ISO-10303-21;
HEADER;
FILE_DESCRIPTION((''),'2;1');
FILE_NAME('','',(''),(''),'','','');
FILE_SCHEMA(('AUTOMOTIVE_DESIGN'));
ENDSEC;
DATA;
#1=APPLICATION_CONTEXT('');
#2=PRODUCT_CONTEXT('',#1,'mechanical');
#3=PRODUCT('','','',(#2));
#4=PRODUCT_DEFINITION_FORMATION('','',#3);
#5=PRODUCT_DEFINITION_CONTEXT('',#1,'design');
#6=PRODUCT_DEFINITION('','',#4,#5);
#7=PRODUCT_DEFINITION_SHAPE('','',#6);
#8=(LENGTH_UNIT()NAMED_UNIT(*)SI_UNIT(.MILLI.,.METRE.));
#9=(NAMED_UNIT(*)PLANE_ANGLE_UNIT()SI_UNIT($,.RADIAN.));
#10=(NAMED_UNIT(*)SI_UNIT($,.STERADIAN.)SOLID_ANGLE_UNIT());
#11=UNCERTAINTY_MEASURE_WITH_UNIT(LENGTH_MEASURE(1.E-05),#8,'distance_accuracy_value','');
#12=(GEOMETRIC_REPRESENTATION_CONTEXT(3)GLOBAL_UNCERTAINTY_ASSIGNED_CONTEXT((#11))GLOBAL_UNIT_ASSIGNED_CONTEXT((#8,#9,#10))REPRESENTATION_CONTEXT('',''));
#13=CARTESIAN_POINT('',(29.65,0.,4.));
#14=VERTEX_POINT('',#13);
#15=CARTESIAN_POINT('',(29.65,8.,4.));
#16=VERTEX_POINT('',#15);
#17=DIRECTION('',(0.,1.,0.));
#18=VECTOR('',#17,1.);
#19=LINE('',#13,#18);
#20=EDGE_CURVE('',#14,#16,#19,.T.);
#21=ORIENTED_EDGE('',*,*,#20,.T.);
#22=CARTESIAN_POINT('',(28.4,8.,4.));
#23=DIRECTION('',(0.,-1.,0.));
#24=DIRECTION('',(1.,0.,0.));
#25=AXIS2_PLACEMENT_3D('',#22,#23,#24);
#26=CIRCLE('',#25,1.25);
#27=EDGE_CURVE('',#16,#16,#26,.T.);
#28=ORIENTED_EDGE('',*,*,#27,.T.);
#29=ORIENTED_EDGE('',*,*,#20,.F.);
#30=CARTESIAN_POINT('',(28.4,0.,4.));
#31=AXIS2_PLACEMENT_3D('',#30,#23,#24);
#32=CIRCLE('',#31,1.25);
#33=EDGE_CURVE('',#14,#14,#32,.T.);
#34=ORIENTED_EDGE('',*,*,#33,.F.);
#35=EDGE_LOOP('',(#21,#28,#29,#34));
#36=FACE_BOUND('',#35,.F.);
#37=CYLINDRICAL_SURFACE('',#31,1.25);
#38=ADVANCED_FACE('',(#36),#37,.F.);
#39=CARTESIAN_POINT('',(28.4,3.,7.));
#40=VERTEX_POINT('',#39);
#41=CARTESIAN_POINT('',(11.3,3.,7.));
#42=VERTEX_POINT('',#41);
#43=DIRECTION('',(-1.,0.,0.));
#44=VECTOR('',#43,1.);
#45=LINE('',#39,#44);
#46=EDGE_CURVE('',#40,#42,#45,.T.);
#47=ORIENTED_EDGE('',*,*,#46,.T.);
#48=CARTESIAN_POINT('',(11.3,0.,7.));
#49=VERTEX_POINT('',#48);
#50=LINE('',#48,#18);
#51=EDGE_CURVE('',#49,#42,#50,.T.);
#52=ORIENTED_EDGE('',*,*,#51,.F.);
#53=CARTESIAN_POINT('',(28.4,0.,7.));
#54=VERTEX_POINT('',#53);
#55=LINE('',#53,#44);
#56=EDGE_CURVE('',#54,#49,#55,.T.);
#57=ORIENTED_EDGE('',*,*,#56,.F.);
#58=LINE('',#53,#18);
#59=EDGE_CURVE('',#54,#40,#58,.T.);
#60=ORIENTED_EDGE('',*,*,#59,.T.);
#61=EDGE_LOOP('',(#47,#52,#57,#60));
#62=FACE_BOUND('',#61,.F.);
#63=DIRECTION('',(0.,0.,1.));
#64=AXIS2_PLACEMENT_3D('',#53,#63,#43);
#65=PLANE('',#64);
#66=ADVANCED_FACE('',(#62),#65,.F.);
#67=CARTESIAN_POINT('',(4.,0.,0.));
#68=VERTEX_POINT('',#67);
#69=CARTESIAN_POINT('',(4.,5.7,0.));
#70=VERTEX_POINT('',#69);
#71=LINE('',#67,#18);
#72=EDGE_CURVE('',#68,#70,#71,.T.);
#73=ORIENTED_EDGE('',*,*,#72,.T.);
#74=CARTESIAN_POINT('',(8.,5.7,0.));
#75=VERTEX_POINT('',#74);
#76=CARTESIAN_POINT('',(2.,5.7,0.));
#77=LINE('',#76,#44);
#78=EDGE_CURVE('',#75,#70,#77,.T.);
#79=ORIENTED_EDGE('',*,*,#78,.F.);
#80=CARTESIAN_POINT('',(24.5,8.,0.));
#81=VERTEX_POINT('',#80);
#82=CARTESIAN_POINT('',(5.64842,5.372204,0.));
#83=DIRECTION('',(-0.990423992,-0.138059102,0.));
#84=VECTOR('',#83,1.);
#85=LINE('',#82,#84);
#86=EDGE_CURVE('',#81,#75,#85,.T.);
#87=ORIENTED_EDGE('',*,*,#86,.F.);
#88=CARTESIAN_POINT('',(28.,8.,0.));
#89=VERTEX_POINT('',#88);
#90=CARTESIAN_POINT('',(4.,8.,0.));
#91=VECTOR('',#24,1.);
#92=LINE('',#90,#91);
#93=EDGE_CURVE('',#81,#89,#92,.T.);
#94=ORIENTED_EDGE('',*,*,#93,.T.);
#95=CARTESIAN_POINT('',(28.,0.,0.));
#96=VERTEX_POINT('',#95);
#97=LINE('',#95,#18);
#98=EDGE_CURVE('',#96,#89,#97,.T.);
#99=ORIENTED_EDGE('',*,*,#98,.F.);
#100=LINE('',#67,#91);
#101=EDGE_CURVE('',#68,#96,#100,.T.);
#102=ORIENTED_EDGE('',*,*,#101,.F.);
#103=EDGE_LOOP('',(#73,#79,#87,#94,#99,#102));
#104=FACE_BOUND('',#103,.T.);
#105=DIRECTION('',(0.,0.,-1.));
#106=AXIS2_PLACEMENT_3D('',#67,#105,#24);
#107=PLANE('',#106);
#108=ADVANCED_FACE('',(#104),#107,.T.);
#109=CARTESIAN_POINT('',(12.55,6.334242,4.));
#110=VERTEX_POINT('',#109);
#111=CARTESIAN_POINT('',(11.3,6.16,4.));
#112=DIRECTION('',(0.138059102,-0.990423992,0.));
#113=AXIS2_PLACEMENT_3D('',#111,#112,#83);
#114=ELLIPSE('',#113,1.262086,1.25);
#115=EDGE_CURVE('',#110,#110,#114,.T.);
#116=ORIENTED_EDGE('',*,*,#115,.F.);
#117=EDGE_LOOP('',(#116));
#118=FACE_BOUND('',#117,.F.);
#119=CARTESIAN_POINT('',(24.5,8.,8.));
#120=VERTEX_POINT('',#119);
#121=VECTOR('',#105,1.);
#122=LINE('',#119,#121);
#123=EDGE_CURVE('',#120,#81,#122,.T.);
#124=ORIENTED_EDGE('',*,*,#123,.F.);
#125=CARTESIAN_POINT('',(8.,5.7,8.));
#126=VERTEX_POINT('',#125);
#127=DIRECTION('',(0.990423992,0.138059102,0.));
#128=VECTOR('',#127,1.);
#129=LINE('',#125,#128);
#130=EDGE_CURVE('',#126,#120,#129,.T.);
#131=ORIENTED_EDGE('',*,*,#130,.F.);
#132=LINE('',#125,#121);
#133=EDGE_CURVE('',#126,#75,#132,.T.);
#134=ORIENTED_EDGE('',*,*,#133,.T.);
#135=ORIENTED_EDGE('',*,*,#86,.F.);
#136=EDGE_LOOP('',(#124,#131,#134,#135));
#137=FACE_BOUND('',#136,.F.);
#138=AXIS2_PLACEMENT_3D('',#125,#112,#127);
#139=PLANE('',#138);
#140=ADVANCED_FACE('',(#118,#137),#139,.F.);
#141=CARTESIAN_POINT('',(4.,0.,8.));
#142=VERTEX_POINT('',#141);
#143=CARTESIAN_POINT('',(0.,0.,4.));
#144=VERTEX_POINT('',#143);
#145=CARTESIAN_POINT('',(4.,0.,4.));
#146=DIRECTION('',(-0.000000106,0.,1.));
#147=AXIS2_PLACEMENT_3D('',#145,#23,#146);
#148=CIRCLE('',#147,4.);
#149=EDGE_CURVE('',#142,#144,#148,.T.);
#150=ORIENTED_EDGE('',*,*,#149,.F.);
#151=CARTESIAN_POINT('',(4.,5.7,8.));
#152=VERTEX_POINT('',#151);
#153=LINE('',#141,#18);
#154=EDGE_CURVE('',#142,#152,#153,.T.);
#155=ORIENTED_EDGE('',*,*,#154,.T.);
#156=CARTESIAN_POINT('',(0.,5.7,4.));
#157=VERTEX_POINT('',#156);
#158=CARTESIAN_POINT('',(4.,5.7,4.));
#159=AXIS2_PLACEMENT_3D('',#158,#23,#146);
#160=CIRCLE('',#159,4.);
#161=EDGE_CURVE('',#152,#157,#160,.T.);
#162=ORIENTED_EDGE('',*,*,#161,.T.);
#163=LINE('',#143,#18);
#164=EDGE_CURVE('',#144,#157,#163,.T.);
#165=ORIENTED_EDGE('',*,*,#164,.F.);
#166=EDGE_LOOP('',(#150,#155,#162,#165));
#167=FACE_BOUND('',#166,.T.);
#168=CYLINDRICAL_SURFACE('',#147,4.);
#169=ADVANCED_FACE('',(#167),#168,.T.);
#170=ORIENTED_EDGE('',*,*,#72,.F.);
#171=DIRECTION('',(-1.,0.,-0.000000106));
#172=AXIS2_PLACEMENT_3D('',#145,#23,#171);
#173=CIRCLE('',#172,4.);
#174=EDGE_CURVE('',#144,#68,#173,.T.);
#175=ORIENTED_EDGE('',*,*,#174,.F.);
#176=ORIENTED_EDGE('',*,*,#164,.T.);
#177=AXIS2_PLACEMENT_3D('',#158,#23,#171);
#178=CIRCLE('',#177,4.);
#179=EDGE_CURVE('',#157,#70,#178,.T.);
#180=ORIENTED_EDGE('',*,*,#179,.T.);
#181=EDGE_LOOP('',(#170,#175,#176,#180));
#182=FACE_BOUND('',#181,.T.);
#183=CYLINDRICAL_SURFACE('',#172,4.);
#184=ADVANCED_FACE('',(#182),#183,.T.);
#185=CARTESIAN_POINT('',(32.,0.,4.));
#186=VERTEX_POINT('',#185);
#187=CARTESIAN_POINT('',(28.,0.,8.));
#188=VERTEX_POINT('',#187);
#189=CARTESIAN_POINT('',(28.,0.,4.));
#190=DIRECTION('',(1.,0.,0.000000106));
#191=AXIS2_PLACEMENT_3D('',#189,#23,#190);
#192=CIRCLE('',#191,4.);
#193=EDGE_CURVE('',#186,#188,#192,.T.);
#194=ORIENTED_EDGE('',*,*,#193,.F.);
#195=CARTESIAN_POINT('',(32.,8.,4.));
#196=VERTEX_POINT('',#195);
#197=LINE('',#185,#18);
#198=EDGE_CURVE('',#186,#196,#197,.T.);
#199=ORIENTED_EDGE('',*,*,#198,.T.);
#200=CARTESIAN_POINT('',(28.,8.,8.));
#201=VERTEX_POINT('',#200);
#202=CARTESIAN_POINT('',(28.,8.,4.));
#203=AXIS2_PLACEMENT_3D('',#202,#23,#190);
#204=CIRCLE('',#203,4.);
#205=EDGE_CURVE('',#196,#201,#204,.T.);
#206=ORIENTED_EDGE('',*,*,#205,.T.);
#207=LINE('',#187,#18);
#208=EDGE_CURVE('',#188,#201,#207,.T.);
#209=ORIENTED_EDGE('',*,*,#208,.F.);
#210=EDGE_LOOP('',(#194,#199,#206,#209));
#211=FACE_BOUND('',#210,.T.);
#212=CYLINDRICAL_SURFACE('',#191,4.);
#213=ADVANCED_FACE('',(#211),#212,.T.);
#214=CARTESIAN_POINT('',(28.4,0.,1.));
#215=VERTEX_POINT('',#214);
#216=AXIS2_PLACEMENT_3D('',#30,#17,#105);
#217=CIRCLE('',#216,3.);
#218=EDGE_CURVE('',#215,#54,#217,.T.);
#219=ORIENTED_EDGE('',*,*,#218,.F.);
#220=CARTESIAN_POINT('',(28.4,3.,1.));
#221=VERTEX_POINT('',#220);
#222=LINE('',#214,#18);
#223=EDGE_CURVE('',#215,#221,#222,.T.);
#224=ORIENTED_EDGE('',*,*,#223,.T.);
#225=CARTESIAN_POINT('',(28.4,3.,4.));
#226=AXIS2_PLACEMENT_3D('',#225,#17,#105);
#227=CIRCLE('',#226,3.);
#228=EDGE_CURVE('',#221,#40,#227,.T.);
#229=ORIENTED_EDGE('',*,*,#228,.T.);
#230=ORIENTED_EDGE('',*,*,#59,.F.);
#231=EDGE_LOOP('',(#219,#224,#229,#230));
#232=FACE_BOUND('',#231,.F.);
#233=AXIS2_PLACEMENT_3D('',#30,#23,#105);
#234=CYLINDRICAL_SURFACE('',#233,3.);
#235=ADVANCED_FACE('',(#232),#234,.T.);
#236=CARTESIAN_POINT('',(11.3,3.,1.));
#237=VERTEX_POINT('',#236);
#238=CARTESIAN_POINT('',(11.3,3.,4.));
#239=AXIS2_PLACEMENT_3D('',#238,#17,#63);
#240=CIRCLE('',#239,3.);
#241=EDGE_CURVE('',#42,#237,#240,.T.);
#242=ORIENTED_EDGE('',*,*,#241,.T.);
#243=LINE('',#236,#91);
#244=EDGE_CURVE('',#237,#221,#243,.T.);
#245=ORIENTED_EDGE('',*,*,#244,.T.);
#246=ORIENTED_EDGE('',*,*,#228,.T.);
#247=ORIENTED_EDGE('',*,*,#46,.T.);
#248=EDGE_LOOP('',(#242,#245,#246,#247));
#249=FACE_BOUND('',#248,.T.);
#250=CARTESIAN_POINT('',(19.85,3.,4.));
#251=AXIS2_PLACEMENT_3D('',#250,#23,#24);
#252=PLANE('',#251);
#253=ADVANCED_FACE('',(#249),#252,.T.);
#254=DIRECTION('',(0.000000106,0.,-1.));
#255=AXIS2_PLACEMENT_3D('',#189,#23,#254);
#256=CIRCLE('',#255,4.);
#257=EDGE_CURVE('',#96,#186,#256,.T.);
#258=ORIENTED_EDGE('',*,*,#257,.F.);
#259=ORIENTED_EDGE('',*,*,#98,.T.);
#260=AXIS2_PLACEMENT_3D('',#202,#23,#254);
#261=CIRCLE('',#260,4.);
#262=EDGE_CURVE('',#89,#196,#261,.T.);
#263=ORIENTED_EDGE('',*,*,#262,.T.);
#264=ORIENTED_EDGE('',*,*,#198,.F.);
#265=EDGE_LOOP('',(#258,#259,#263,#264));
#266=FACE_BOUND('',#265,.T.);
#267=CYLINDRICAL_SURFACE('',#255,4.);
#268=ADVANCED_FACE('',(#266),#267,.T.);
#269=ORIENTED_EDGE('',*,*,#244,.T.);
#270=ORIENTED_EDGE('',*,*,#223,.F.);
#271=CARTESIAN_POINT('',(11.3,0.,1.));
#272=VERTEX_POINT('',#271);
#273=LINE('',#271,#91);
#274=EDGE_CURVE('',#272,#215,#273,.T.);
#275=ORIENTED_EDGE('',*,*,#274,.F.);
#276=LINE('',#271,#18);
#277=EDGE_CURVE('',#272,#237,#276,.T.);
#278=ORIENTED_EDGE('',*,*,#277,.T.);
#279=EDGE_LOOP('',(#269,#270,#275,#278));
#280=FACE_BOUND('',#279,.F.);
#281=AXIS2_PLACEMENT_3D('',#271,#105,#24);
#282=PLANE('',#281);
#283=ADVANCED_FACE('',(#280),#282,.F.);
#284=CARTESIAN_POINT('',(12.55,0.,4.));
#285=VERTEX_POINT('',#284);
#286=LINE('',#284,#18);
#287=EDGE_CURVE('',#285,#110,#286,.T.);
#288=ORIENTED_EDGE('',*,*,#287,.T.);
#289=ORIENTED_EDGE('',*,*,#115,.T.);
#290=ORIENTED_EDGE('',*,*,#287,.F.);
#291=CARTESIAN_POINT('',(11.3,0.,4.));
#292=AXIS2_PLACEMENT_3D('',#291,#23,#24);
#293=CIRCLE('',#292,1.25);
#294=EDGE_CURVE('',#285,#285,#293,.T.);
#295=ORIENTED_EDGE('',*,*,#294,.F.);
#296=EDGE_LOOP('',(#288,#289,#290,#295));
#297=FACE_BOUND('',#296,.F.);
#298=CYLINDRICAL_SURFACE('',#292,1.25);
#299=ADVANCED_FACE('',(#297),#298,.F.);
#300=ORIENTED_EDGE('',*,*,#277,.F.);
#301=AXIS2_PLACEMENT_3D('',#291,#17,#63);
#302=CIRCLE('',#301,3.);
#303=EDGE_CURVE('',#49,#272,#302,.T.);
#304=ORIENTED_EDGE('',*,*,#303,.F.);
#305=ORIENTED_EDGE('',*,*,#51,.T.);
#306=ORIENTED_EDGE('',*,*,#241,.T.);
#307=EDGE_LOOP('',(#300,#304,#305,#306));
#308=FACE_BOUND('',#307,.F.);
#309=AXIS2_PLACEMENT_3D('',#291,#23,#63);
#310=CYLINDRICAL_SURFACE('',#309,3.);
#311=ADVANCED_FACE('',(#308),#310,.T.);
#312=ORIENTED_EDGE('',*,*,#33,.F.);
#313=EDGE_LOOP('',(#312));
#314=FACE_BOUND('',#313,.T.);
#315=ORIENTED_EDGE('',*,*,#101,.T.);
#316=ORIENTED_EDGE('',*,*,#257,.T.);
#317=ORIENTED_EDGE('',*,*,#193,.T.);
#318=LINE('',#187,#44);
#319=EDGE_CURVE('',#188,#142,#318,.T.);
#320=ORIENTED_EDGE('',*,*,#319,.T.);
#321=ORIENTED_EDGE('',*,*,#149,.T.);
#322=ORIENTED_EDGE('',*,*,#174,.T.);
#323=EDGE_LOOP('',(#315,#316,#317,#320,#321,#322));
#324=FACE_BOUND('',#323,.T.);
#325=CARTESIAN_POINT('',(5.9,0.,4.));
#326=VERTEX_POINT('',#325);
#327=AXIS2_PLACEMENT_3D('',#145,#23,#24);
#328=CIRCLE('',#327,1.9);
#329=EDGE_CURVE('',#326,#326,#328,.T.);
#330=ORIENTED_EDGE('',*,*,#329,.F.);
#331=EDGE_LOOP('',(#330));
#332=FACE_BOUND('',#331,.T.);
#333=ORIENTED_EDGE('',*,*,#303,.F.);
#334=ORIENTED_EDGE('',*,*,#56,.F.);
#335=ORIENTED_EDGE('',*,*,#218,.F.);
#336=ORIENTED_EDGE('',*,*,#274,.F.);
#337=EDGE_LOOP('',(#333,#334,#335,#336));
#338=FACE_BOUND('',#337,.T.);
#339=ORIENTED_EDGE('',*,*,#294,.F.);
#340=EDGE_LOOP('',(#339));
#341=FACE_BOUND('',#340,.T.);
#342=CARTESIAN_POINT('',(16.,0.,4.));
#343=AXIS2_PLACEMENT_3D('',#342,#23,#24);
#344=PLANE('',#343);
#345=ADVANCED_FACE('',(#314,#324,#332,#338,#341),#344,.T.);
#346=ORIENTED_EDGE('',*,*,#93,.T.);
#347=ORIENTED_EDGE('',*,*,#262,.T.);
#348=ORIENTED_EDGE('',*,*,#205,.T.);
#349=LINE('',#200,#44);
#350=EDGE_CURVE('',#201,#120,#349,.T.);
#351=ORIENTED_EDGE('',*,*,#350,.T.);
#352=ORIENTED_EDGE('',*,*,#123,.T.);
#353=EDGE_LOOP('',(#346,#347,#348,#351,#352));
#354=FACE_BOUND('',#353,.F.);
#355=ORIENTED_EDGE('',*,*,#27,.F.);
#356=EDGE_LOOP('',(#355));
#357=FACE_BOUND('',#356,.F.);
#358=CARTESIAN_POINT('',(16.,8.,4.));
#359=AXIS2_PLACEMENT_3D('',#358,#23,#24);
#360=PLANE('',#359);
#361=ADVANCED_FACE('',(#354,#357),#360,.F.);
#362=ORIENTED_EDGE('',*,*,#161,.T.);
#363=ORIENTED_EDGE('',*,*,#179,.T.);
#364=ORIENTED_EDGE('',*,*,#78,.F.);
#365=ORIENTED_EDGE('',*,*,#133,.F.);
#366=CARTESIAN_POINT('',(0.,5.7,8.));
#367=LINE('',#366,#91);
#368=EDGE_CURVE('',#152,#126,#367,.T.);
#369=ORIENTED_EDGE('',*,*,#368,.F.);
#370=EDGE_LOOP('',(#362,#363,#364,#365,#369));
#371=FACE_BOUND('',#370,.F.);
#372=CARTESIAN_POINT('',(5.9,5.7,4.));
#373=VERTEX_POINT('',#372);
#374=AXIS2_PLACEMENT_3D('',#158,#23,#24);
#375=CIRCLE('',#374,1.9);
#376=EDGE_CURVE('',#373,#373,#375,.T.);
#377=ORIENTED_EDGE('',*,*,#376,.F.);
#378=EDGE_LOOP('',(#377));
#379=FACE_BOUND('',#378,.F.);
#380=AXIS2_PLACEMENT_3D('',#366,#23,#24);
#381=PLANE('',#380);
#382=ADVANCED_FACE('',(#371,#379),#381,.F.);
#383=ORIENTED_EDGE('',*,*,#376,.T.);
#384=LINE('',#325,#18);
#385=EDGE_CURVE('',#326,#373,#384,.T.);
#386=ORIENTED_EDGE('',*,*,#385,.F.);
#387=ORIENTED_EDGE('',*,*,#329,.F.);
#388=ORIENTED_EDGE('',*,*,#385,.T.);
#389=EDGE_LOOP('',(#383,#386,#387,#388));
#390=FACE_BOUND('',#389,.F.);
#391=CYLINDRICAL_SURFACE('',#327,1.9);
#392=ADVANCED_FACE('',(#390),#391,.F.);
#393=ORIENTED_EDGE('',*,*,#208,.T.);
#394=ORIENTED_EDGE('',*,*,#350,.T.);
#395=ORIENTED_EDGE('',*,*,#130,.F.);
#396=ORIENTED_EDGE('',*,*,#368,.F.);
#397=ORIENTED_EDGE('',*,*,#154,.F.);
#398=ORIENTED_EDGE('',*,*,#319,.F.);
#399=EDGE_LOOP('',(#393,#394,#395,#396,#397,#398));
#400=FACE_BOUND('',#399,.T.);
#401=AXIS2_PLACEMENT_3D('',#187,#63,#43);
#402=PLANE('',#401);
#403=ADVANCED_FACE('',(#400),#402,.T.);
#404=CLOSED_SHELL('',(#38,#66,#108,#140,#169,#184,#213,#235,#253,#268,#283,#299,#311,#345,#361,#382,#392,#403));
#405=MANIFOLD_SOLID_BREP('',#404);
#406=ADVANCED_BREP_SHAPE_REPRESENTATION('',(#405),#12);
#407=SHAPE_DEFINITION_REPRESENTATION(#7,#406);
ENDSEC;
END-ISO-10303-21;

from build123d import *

# Parameters (mm, degrees)
F1_DEPTH = 8
F2_R     = 1.9
F2_R_2   = 1.25
F3_DEPTH = 25
F4_W     = 4
F4_H     = 2.3
F5_DEPTH = 25
F7_DEPTH = 3


with BuildPart() as f1:
    # F0 (on Front) → F1 (new body)
    with BuildSketch(Plane.XZ):
        with BuildLine():
            ThreePointArc((0, 4), (1.171573, 1.171573), (4, 0))
            Line((4, 0), (28, 0))
            ThreePointArc((28, 0), (30.828427, 1.171573), (32, 4))
            ThreePointArc((32, 4), (30.828427, 6.828427), (28, 8))
            Line((28, 8), (4, 8))
            ThreePointArc((4, 8), (1.171573, 6.828427), (0, 4))
        make_face()
    extrude(amount=-F1_DEPTH)

    # F2 (on face) → F3 (cut)
    with BuildSketch(Plane.XZ):
        with Locations((4, 4)):
            Circle(F2_R)
        with Locations((11.3, 4)):
            Circle(F2_R_2)
        with Locations((28.4, 4)):
            Circle(F2_R_2)
    extrude(amount=-F3_DEPTH, mode=Mode.SUBTRACT)

    # F4 (on face) → F5 (cut)
    with BuildSketch(Plane.XY.offset(8)):
        Polygon((4, 8), (4, 5.7), (8, 5.7), (24.5, 8), align=None)
        with Locations((2, 6.85)):
            Rectangle(F4_W, F4_H)
    extrude(amount=-F5_DEPTH, mode=Mode.SUBTRACT)

    # F6 (on face) → F7 (cut)
    with BuildSketch(Plane.XZ):
        with BuildLine():
            ThreePointArc((11.3, 7), (14.3, 4), (11.3, 1))
            Line((11.3, 1), (28.4, 1))
            ThreePointArc((28.4, 1), (25.4, 4), (28.4, 7))
            Line((28.4, 7), (11.3, 7))
        make_face()
    extrude(amount=-F7_DEPTH, mode=Mode.SUBTRACT)


solid = f1.part
